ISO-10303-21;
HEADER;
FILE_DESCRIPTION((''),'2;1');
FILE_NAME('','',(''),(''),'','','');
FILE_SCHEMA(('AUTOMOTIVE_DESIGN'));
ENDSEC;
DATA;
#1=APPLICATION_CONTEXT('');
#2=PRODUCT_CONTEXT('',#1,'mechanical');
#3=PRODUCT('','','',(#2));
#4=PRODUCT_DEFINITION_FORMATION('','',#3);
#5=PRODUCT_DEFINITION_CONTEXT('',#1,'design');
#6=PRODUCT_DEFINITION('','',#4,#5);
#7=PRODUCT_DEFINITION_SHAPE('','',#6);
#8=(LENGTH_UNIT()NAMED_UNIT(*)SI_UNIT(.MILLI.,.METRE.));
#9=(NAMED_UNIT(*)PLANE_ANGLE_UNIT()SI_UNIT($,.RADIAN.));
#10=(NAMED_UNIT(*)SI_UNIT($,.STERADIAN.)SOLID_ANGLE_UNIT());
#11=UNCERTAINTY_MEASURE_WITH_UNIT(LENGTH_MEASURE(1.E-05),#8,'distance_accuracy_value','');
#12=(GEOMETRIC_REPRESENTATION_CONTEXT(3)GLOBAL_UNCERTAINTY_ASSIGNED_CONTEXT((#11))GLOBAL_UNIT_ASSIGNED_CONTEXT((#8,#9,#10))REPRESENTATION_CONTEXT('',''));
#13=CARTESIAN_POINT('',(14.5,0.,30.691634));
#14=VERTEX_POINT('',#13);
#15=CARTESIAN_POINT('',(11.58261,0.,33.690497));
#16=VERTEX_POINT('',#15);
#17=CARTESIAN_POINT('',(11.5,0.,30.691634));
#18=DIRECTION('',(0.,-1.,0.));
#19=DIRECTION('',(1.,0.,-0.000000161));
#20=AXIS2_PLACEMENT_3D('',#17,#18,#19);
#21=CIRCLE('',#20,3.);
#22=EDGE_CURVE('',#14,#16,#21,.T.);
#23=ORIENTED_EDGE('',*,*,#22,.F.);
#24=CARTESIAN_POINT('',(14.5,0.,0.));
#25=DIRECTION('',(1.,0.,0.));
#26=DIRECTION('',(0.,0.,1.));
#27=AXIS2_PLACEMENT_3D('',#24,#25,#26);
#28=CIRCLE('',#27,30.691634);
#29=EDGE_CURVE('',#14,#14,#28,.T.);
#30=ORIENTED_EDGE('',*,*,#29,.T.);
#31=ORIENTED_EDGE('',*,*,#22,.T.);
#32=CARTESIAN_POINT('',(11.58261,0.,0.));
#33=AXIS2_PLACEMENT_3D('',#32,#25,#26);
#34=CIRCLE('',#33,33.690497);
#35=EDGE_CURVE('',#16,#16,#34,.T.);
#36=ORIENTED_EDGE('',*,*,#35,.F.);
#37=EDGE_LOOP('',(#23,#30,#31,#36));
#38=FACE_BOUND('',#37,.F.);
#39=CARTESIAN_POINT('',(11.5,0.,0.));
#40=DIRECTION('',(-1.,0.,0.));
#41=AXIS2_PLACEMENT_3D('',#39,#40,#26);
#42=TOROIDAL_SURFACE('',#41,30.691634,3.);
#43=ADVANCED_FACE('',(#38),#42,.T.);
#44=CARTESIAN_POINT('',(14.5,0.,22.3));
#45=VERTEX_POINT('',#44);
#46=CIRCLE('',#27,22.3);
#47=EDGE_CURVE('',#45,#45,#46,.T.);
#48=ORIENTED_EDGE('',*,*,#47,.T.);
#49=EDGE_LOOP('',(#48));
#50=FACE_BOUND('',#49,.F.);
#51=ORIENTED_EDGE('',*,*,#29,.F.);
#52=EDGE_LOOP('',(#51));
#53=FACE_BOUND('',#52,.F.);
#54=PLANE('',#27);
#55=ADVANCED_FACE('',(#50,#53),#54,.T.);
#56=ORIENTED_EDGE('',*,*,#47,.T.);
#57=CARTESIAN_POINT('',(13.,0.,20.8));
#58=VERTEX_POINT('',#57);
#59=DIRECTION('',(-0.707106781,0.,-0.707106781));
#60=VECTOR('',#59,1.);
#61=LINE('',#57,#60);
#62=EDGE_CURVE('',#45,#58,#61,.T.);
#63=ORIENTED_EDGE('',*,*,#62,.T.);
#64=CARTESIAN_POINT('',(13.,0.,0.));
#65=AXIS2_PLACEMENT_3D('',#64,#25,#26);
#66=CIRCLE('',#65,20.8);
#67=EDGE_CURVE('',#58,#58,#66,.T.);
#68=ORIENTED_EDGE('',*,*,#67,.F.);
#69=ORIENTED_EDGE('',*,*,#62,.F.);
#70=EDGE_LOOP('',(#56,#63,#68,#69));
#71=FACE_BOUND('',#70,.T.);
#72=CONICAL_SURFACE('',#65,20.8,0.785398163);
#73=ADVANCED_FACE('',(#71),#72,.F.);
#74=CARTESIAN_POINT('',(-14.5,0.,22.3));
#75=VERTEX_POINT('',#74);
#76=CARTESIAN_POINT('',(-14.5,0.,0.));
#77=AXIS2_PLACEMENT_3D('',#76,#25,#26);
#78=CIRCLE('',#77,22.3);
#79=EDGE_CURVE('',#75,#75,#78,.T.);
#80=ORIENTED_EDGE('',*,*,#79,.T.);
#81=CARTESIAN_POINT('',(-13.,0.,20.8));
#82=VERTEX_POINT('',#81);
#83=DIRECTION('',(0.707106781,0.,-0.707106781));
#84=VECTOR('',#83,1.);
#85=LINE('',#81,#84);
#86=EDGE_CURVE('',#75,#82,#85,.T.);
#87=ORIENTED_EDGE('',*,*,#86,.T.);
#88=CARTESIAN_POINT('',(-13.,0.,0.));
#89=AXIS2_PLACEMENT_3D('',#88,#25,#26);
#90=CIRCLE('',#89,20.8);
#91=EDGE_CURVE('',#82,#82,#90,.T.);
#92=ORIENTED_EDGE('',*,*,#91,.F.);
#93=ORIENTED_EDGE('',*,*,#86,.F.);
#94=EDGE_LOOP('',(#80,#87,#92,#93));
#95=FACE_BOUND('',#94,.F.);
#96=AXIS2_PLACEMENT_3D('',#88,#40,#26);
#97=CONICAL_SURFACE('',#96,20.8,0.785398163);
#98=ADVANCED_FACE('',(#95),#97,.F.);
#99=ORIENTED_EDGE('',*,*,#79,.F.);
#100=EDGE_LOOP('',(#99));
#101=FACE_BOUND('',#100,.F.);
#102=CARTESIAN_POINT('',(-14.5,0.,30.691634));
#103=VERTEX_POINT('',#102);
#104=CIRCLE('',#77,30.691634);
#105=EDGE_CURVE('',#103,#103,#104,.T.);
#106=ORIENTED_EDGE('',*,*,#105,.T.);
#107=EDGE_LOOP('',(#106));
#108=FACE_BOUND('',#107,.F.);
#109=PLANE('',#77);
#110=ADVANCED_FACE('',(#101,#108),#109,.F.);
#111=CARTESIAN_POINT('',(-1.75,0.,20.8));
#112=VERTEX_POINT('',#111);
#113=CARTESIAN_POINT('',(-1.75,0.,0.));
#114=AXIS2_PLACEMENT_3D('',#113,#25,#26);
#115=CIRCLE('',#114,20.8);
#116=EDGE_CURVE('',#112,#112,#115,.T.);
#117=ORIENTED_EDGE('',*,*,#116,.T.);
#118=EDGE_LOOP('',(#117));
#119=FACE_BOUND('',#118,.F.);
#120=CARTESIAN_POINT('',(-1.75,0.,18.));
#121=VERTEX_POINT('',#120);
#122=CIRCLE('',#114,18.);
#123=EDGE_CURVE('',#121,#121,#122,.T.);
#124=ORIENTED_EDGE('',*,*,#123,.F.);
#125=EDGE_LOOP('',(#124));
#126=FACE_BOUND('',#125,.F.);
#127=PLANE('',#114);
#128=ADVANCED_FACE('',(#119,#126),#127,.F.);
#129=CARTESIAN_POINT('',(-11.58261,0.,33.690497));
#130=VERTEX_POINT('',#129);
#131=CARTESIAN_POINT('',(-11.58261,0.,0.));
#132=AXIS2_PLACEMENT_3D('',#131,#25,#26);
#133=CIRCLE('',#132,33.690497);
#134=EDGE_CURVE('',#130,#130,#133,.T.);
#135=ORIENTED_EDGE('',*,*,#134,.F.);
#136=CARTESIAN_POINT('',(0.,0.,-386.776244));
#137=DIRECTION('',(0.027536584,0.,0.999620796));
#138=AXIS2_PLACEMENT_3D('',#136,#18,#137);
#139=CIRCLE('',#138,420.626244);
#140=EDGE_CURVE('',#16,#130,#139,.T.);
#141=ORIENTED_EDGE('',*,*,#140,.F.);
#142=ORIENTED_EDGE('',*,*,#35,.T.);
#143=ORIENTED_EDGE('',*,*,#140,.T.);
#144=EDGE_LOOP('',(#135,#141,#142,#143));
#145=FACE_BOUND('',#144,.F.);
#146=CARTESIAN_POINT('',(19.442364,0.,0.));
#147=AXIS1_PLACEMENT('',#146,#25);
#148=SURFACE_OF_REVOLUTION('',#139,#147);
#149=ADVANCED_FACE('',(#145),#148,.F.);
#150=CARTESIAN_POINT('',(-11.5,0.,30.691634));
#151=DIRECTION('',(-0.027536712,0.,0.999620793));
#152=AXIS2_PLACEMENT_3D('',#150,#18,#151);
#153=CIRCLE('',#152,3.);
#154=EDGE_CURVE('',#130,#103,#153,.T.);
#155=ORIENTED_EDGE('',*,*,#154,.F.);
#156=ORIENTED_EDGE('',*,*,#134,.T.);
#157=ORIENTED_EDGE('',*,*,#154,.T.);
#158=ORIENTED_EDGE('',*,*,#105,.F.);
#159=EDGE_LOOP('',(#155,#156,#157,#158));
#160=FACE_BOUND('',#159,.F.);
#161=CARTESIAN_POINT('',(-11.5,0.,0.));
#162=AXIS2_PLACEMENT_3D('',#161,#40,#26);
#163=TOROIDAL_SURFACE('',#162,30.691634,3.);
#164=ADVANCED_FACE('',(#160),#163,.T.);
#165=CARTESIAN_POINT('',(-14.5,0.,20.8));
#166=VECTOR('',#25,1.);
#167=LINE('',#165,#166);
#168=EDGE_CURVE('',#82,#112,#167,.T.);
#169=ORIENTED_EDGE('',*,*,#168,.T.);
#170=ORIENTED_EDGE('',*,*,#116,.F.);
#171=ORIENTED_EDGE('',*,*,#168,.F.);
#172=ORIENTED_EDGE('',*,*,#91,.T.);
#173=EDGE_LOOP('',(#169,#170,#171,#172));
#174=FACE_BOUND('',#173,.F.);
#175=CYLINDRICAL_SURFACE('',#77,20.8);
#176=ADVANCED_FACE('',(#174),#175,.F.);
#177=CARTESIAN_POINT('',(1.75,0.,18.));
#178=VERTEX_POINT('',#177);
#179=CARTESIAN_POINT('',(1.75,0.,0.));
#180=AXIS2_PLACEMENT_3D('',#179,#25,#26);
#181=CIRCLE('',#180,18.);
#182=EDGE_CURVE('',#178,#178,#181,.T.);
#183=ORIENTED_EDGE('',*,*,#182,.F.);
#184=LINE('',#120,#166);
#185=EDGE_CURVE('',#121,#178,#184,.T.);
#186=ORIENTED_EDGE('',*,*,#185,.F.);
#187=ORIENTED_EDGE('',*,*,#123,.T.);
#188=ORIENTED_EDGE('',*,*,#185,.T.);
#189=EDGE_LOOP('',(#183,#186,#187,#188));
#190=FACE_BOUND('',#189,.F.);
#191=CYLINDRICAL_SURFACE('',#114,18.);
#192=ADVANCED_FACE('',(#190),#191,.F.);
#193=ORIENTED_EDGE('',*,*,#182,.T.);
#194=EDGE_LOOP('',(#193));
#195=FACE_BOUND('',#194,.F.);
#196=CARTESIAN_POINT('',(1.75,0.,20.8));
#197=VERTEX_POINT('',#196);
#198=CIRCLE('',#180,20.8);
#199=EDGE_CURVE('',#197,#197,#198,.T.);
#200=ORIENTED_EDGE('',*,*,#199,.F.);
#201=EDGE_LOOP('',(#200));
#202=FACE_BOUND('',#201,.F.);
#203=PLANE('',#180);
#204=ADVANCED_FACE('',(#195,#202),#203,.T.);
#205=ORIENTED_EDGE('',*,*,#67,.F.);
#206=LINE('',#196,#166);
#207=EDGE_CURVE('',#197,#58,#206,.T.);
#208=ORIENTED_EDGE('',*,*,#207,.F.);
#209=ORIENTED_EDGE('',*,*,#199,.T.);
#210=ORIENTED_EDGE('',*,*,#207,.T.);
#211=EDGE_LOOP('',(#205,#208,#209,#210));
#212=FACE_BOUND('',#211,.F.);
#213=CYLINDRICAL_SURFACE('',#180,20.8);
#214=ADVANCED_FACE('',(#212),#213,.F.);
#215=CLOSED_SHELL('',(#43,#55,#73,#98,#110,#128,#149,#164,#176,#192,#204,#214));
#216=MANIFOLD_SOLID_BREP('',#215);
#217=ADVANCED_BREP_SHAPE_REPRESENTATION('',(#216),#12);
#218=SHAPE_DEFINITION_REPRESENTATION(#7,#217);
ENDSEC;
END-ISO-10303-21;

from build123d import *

# Parameters (mm, degrees)
F2_SIZE = 1.5


with BuildPart() as f1:
    # F0 (on Front) → F1 (revolve)
    with BuildSketch(Plane.XZ):
        with BuildLine():
            Line((14.5, 20.8), (14.5, 30.691634))
            ThreePointArc((14.5, 30.691634), (13.650329, 32.783544), (11.58261, 33.690497))
            ThreePointArc((11.58261, 33.690497), (0, 33.85), (-11.58261, 33.690497))
            ThreePointArc((-11.58261, 33.690497), (-13.650329, 32.783544), (-14.5, 30.691634))
            Line((-14.5, 30.691634), (-14.5, 20.8))
            Line((-14.5, 20.8), (-1.75, 20.8))
            Line((-1.75, 20.8), (-1.75, 18))
            Line((-1.75, 18), (0, 18))
            Line((0, 18), (1.75, 18))
            Line((1.75, 18), (1.75, 20.8))
            Line((1.75, 20.8), (14.5, 20.8))
        make_face()
    revolve(axis=Axis((19.442364, 0, 0), (1, 0, 0)))

    # F2
    f2_edges = [f1.edges().sort_by_distance(p)[0] for p in [
        (-14.5, 0, -20.8),
        (14.5, 0, -20.8),
    ]]
    chamfer(f2_edges, length=F2_SIZE)


solid = f1.part
